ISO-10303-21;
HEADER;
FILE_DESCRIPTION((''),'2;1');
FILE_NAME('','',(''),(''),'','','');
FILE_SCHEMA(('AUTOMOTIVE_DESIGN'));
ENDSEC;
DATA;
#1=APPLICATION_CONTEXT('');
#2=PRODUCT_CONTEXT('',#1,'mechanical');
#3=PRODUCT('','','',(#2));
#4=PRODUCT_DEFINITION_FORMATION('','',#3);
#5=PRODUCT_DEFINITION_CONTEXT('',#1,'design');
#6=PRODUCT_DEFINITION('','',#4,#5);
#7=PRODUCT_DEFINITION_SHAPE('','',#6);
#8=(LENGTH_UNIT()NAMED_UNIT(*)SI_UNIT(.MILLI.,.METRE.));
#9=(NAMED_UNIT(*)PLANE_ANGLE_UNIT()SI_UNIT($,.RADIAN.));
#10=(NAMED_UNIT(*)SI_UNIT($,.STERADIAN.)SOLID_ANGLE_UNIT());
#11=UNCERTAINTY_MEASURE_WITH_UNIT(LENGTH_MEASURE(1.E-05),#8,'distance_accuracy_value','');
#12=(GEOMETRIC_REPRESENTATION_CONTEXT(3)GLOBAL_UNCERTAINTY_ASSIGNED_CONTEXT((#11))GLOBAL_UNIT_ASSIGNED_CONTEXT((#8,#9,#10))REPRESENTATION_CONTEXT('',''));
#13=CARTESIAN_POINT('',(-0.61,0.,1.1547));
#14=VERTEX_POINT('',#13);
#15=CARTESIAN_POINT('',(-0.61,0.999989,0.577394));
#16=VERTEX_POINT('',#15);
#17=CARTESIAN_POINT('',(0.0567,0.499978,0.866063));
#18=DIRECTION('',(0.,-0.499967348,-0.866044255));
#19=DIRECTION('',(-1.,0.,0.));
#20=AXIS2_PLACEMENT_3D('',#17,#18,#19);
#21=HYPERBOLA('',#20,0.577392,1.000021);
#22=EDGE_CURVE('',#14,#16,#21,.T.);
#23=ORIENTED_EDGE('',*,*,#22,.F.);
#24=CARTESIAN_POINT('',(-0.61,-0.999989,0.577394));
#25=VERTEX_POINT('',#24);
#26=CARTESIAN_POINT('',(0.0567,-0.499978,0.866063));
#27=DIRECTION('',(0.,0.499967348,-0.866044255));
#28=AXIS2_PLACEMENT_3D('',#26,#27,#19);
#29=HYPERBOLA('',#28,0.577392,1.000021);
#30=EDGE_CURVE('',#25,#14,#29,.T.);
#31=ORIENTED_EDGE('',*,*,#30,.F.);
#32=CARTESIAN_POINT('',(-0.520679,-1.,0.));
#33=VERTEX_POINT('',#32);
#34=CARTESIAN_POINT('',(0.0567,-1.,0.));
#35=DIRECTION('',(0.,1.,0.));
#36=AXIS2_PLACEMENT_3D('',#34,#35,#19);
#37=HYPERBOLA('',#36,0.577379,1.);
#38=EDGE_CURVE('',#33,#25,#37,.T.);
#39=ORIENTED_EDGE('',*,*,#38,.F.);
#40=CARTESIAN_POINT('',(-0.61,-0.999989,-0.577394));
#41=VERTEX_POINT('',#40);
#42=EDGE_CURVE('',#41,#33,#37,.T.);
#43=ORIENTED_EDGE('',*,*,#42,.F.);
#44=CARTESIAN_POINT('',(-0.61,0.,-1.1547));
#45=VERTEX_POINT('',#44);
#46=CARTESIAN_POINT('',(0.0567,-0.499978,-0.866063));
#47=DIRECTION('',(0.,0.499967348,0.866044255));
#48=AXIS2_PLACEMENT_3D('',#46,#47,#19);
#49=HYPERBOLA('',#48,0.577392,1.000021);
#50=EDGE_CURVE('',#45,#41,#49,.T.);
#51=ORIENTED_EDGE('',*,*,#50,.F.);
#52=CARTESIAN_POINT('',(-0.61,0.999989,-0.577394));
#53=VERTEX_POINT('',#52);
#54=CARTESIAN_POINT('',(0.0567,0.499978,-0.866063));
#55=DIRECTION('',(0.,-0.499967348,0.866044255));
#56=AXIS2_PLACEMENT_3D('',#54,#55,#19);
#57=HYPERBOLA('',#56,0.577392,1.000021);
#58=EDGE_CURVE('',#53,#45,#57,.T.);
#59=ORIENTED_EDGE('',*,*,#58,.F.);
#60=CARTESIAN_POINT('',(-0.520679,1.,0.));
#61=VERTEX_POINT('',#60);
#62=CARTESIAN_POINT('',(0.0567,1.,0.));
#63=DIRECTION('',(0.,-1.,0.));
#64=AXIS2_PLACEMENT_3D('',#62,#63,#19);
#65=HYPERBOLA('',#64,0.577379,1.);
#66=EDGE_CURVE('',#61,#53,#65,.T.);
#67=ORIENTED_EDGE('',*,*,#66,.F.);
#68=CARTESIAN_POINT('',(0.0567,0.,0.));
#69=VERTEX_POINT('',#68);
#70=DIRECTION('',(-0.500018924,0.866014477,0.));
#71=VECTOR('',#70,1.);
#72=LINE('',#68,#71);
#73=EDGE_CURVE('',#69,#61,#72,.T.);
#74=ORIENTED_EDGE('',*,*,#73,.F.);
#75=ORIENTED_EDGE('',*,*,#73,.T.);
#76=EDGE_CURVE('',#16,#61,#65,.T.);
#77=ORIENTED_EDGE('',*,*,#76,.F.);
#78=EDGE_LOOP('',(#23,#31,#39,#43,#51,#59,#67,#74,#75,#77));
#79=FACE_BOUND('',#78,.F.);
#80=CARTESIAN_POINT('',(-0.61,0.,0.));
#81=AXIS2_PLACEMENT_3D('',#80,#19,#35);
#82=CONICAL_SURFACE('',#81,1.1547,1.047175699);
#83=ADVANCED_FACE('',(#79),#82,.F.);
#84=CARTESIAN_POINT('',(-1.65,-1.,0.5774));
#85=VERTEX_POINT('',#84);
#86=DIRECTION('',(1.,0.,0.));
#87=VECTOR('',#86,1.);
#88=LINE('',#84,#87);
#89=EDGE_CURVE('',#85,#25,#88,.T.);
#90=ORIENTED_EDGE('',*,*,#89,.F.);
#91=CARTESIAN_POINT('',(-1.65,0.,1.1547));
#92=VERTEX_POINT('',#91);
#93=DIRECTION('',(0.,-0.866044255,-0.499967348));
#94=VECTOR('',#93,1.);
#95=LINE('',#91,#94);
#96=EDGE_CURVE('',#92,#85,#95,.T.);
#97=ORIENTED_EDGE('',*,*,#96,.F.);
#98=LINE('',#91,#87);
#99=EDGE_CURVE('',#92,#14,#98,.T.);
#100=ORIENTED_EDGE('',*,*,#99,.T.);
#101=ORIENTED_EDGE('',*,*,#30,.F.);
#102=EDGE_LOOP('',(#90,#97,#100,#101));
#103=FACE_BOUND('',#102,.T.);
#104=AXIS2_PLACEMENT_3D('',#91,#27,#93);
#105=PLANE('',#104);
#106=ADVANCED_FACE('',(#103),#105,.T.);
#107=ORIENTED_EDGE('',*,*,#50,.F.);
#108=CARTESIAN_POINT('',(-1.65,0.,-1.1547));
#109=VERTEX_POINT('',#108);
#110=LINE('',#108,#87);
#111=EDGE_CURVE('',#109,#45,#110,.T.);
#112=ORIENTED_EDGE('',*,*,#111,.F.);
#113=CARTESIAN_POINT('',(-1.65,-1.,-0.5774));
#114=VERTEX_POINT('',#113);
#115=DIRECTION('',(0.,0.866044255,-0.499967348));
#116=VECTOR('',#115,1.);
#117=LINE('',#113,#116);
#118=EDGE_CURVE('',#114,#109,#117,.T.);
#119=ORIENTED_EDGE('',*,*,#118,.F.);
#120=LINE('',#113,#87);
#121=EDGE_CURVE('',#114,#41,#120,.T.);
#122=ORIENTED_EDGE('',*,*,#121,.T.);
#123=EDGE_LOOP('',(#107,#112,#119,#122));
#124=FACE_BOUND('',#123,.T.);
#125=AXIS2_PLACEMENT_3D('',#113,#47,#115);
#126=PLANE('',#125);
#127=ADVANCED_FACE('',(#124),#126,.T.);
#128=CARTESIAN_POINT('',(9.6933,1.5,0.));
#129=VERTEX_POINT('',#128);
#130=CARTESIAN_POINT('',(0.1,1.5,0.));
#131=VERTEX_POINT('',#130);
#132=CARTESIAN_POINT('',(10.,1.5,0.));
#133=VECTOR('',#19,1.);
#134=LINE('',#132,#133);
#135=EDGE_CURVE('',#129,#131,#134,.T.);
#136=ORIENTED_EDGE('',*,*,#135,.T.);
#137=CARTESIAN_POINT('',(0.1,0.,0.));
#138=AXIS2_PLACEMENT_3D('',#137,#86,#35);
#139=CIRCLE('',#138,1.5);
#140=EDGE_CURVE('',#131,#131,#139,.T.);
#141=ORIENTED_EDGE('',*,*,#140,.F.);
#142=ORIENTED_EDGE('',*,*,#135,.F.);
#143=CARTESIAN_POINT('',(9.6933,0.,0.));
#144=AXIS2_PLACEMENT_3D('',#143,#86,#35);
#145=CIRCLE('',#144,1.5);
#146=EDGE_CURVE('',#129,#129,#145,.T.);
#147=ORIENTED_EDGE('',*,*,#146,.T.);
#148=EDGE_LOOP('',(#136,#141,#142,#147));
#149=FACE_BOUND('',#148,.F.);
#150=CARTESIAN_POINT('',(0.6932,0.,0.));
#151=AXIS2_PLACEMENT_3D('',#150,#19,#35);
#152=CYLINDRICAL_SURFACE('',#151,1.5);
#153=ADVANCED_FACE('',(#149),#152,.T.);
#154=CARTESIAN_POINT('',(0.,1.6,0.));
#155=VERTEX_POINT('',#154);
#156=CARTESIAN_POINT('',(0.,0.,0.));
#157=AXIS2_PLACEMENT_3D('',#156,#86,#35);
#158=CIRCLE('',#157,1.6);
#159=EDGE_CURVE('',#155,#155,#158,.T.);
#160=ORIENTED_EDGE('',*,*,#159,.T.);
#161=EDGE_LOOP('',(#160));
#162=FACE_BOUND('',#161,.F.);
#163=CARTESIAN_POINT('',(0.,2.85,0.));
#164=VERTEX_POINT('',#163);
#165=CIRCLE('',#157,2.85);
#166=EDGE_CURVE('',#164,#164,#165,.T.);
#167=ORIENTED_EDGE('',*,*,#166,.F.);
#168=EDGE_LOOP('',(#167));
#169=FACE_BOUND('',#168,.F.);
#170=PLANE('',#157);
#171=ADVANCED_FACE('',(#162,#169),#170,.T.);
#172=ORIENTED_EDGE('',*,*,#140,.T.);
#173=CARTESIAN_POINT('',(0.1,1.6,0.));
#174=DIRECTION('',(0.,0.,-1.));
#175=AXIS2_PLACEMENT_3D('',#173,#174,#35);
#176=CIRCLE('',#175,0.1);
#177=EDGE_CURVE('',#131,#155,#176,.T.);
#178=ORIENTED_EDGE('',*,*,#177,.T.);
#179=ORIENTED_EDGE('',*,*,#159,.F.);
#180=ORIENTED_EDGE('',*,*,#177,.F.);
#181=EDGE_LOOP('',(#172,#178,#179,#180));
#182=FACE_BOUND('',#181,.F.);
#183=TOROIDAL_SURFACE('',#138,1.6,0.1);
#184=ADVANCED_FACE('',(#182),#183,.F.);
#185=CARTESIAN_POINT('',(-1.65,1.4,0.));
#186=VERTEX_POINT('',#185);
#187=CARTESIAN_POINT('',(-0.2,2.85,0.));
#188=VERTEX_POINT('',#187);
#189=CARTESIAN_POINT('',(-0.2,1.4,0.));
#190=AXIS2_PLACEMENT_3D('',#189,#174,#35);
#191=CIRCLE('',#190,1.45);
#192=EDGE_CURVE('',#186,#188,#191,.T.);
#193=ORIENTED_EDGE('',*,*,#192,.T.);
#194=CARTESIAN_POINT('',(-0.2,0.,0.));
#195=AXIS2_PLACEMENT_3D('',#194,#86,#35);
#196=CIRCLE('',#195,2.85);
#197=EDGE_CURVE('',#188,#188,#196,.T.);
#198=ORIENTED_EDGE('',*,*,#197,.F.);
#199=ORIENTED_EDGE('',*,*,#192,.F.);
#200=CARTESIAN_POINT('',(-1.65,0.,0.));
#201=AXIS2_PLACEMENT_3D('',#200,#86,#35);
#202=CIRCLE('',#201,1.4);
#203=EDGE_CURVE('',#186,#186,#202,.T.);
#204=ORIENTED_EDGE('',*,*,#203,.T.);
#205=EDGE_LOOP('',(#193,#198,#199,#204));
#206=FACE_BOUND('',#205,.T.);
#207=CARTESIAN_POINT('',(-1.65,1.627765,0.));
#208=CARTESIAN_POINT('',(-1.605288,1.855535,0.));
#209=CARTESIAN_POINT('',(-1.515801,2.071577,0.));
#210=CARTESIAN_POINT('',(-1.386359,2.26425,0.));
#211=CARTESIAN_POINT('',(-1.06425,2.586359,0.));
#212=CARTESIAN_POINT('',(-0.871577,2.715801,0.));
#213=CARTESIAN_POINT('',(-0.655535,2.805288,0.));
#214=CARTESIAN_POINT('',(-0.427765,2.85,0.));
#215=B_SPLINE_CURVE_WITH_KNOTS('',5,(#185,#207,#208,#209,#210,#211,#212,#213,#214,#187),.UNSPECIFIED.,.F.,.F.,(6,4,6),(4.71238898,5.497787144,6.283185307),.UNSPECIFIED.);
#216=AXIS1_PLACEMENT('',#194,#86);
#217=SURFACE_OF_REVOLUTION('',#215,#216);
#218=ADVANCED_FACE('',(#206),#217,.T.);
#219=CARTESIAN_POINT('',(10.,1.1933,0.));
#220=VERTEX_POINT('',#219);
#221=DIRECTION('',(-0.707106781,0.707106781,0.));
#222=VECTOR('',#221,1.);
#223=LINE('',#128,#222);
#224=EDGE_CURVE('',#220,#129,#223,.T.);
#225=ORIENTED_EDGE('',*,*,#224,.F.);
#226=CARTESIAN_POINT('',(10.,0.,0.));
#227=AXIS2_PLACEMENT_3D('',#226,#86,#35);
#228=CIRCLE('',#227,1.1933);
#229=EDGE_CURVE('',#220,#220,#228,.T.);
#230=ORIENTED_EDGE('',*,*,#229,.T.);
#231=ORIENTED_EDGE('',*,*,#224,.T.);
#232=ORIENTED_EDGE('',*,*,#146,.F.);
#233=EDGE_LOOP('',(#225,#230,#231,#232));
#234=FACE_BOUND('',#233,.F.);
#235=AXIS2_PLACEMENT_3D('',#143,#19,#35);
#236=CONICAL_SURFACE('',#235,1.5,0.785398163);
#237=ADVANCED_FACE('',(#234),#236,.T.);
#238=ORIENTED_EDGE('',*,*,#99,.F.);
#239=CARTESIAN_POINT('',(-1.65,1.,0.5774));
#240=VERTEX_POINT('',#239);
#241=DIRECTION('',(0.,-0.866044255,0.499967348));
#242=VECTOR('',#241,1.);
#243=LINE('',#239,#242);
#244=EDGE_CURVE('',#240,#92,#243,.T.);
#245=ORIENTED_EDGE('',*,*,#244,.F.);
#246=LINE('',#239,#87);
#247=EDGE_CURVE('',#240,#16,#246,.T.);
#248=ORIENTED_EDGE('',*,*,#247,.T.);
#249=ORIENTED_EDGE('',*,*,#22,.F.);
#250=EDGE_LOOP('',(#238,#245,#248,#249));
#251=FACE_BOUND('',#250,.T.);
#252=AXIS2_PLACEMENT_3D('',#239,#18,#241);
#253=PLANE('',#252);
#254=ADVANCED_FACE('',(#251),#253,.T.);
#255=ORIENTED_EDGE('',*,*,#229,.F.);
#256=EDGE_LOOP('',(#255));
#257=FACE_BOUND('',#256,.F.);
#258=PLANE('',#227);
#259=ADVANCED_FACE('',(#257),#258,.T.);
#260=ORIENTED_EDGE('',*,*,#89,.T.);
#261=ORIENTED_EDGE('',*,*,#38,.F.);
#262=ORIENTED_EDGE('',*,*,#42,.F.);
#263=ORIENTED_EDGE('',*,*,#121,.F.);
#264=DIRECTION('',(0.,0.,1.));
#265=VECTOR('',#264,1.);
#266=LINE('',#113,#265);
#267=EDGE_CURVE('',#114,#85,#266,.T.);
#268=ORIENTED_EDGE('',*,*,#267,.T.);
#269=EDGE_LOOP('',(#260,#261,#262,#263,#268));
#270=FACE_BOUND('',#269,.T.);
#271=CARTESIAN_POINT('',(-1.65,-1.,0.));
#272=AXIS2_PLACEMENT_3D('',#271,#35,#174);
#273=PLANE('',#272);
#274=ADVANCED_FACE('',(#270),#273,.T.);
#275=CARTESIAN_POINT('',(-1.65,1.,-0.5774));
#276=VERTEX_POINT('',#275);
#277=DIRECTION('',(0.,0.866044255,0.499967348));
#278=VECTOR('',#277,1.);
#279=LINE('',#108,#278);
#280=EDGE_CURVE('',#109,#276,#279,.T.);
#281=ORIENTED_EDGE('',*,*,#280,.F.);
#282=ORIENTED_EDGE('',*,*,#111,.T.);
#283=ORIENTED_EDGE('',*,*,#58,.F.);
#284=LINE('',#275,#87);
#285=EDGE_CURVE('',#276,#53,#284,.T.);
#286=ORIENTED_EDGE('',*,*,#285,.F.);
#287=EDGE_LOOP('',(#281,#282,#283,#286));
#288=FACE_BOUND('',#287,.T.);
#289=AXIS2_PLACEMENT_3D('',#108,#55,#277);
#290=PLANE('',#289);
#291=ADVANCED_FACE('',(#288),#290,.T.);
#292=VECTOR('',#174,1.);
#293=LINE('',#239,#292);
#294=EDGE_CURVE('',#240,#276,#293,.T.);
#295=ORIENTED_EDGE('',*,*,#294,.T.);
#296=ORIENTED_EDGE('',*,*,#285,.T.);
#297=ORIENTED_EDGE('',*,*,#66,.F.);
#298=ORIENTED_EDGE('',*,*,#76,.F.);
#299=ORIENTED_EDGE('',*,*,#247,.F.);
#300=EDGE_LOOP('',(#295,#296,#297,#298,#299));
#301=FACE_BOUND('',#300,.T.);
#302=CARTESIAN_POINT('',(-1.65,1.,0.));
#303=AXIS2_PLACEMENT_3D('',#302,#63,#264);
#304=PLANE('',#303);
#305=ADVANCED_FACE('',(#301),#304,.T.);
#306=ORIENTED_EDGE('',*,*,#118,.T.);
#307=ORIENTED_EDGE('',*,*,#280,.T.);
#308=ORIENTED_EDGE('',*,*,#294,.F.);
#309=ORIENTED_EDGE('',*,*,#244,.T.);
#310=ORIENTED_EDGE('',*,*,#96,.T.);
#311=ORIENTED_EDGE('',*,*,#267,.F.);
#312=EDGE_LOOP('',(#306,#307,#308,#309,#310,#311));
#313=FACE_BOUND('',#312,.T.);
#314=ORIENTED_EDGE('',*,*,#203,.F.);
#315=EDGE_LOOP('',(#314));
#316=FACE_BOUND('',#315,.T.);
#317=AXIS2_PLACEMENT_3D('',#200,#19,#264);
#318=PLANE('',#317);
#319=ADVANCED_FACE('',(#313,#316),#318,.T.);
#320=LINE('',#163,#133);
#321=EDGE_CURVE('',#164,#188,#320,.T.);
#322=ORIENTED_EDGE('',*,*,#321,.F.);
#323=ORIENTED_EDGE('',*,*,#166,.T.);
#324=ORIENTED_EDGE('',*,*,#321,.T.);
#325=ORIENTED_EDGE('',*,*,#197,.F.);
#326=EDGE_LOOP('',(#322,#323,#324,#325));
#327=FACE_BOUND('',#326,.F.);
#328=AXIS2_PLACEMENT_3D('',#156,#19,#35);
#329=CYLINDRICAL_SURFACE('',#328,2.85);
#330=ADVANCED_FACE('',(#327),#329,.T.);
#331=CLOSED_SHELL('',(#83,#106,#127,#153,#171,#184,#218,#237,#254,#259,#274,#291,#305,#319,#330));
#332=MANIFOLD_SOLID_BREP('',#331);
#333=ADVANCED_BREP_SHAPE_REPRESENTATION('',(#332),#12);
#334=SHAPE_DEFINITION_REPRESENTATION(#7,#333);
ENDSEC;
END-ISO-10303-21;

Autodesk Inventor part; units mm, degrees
ref_plane "YZ Plane" through (0, 0, 0) normal (1, 0, 0) x (0, 1, 0)
ref_plane "XZ Plane" through (0, 0, 0) normal (0, 1, 0) x (-1, 0, 0)
sketch "Sketch1" plane through (0, 0, 0) normal (0, 0, 1) x (1, 0, 0)
  line L0 (0.0567, 0) -> (10, 0)
  line L1 (10, 0) -> (10, 1.5)
  line L2 (10, 1.5) -> (1, 1.5)
  line L3 (1, 1.5) -> (0.6932, 1.5)
  line L4 (0.6932, 1.5) -> (0, 1.5)
  line L5 (0, 1.5) -> (0, 2.85)
  line L6 (0, 2.85) -> (-1.65, 2.85)
  line L7 (-1.65, 2.85) -> (-1.65, 1.1547)
  line L8 (-1.65, 1.1547) -> (-0.61, 1.1547)
  line L9 (-0.61, 1.1547) -> (0.0567, 0)
  line L10 (-3.98, 0) -> (12.33, 0) projected
  line L11 (0, -0.57) -> (0, 3.42) projected
  line L12 (1, 1.5) -> (0, 1.5) construction
  dimension "d1" = 9
  dimension "d2" = 0.3068
  dimension "d3" = 1.65
  dimension "d4" = 1.04
  dimension "d5" = 60
  dimension "d6" = 3
  dimension "d7" = 3
  dimension "d8" = 2.3094
  dimension "d9" = 5.7
  dimension "d26" = 10
revolve "Body" add sketch "Sketch1" angle 360 about axis through (0.0567, 0, 0) along (1, 0, 0) contours L9 L11 L4 L3 L2 L1 L0 | L9 L8 L7 L6 L5 L11
sketch "Sketch2" plane through (-1.65, 0, 0) normal (-1, 0, 0) x (0, 0, 1)
  circle A0 centre (0, 0) radius 1.1547 projected
  line L0 (0, -3.99) -> (0, 3.99) projected
  line L1 (-3.99, 0) -> (3.99, 0) projected
  line L2 (1.1547, 0) -> (0.5774, -1)
  line L3 (0.5774, -1) -> (-0.5774, -1)
  line L4 (-0.5774, -1) -> (-1.1547, 0)
  line L5 (-1.1547, 0) -> (-0.5774, 1)
  line L6 (-0.5774, 1) -> (0.5774, 1)
  line L7 (0.5774, 1) -> (1.1547, 0)
extrude "Slot" add sketch "Sketch2" against normal up to next contours L7 A0 | A0 L2 | L6 L0 A0 | A0 L0 L3 | L0 L6 A0 | A0 L3 L0 | L4 A0 | A0 L5
fillet "Fillet1" radius 1.45 1 edges at (-1.65, -2.85, 0)
thread "Thread" size "M3x0.5" class "6g" standard "ISO Metric profile" length 9
chamfer "Chamfer1" distance 0.3067 distance2 0.3067 1 edges at (10, -1.5, 0) measured on face at (10, -0.6587, -0.1791)
ref_plane "Work Plane1" through (29, 0, 0) normal (0, -1, 0) x (1, 0, 0)
fillet "Fillet2" radius 0.1 1 edges at (0, -1.5, 0)
equation "\"d1\" = GEL"
equation "\"d3\" = KOH"
equation "\"d4\" = INTI"
equation "\"d6\" = GD"
equation "\"d7\" = BDM"
equation "\"d8\" = 1.1547 * SW"
equation "\"d9\" = KOD"
equation "\"d26\" = NLG"
equation "\"d30\" = R"
equation "\"d17\" = RR"
equation "\"d13\" = GEL"
equation "\"d15\" = -0.5 * SPD + 0.5 * GD"
equation "\"d16\" = GUL"
equation "\"GD\" = 3"
equation "\"NLG\" = 10"
equation "\"GEL\" = 9"
equation "\"KOD\" = 5.7"
equation "\"KOH\" = 1.65"
equation "\"INTI\" = 1.04"
equation "\"GAL\" = 0.30673"
equation "\"GUL\" = 0.30673"
equation "\"BDM\" = 3"
equation "\"SW\" = 2"
equation "\"RR\" = 1.45"
equation "\"SPD\" = 2.38655"
equation "\"R\" = 0.1"
equation "\"TOA\" = 30deg"
equation "\"GD1\" = 2.38655"
equation "\"THREADDIA\" = 3"
equation "\"PTC\" = 0.5"
equation "\"NND\" = 3"
equation "\"KOH1\" = 0.2"
equation "\"E0\" = 2.31"
properties part number "M3 x 10 - Socket Button Head (A2)" material "Steel, Alloy"
